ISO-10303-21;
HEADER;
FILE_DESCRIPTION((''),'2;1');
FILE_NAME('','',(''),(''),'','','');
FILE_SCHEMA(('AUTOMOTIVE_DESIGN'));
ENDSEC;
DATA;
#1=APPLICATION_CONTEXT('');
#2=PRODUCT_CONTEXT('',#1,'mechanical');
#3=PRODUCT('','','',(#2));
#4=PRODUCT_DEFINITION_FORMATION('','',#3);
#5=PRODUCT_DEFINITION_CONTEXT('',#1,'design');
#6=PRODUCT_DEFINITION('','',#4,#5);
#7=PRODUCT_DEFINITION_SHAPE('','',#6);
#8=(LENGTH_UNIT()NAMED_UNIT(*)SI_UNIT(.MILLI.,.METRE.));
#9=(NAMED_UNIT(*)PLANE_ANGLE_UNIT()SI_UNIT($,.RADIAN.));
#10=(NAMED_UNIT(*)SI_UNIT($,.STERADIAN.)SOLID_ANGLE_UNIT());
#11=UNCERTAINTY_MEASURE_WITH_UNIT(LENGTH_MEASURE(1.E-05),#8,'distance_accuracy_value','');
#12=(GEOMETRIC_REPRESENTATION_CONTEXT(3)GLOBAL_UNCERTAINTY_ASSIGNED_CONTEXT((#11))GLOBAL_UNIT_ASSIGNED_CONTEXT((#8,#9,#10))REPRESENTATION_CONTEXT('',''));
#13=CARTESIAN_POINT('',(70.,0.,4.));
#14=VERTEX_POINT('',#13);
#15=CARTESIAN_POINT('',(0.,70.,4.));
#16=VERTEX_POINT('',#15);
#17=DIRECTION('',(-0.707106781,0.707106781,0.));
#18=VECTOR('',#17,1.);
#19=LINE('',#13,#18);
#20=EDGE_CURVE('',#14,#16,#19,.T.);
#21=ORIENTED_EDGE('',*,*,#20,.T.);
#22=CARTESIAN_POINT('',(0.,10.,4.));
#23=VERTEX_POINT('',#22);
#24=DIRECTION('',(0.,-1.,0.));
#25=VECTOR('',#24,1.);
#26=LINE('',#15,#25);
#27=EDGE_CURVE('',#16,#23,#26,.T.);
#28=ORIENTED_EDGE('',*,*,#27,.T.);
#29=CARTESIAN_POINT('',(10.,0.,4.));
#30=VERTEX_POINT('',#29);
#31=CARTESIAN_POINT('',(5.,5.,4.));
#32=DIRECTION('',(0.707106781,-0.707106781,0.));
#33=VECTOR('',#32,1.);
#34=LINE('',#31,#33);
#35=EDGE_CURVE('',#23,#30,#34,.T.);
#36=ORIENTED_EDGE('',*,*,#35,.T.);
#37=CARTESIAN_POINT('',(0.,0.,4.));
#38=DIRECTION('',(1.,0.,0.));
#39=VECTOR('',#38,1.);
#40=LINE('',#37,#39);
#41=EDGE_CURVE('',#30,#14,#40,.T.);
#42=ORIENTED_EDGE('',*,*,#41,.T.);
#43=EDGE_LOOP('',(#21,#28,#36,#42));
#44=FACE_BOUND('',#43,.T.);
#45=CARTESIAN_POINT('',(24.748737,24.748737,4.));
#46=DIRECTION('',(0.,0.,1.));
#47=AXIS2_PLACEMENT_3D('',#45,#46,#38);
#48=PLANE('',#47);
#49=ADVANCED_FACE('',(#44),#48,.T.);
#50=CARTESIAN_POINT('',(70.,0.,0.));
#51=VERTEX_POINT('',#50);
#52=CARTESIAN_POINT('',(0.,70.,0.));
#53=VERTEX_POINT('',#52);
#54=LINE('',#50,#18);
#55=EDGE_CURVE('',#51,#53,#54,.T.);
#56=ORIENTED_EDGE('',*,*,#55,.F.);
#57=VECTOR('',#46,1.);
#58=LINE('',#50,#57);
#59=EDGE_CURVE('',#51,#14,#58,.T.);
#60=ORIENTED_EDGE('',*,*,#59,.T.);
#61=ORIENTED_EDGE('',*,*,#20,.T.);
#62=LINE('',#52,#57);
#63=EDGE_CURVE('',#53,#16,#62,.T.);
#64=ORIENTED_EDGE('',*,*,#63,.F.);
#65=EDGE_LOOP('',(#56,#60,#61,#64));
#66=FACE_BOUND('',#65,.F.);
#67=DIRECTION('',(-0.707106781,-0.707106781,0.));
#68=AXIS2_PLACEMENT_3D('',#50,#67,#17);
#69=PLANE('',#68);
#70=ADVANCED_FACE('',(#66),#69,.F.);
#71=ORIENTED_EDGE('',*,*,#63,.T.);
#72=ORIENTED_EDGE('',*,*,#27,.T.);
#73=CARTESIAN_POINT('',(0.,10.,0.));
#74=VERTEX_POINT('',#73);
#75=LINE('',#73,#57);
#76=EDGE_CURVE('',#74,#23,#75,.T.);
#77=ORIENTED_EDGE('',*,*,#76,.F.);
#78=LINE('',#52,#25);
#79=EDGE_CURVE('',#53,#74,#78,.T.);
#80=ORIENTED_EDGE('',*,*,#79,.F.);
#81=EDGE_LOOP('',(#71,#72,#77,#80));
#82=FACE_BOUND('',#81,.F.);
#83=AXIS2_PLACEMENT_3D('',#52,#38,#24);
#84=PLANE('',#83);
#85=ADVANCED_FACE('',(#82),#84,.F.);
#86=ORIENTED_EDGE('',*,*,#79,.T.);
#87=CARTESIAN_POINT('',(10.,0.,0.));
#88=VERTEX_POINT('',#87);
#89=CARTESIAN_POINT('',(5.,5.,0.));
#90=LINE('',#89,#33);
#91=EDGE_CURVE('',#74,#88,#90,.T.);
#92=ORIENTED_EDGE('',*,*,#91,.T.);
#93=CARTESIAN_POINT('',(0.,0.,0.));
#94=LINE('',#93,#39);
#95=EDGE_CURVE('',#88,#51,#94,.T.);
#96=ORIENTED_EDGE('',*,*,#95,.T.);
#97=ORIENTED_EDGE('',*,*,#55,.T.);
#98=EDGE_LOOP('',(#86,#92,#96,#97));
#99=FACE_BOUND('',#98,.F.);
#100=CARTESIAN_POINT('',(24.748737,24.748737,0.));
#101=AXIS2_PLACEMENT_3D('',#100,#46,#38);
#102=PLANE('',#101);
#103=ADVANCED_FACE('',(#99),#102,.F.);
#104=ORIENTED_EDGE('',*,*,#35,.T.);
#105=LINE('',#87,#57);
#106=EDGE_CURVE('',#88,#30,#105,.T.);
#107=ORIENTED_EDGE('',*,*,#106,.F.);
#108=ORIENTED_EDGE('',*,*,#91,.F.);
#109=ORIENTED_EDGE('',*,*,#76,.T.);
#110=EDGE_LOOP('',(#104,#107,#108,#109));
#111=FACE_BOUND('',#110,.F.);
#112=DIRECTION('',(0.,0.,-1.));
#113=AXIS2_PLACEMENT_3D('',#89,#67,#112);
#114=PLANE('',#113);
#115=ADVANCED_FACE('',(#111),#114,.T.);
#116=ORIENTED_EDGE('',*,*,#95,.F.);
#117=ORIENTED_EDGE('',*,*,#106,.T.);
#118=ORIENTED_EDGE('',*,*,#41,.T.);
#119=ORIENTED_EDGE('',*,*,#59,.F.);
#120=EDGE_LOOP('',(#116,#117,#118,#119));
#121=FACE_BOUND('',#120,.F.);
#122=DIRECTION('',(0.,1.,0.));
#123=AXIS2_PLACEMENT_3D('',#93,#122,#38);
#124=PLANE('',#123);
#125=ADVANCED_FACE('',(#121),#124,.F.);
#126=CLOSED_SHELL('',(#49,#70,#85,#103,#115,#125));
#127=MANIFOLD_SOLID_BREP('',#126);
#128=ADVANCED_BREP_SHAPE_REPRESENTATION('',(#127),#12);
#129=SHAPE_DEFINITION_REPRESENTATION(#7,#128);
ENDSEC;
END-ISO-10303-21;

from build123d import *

# Parameters (mm, degrees)
F1_DEPTH = 4
F2_SIZE  = 10


with BuildPart() as f1:
    # F0 (on Top) → F1 (new body)
    with BuildSketch(Plane.XY):
        Polygon((0, 70), (0, 0), (70, 0), align=None)
    extrude(amount=F1_DEPTH)

    # F2
    f2_edges = [f1.edges().sort_by_distance(p)[0] for p in [
        (0, 0, 2),
    ]]
    chamfer(f2_edges, length=F2_SIZE)


solid = f1.part
